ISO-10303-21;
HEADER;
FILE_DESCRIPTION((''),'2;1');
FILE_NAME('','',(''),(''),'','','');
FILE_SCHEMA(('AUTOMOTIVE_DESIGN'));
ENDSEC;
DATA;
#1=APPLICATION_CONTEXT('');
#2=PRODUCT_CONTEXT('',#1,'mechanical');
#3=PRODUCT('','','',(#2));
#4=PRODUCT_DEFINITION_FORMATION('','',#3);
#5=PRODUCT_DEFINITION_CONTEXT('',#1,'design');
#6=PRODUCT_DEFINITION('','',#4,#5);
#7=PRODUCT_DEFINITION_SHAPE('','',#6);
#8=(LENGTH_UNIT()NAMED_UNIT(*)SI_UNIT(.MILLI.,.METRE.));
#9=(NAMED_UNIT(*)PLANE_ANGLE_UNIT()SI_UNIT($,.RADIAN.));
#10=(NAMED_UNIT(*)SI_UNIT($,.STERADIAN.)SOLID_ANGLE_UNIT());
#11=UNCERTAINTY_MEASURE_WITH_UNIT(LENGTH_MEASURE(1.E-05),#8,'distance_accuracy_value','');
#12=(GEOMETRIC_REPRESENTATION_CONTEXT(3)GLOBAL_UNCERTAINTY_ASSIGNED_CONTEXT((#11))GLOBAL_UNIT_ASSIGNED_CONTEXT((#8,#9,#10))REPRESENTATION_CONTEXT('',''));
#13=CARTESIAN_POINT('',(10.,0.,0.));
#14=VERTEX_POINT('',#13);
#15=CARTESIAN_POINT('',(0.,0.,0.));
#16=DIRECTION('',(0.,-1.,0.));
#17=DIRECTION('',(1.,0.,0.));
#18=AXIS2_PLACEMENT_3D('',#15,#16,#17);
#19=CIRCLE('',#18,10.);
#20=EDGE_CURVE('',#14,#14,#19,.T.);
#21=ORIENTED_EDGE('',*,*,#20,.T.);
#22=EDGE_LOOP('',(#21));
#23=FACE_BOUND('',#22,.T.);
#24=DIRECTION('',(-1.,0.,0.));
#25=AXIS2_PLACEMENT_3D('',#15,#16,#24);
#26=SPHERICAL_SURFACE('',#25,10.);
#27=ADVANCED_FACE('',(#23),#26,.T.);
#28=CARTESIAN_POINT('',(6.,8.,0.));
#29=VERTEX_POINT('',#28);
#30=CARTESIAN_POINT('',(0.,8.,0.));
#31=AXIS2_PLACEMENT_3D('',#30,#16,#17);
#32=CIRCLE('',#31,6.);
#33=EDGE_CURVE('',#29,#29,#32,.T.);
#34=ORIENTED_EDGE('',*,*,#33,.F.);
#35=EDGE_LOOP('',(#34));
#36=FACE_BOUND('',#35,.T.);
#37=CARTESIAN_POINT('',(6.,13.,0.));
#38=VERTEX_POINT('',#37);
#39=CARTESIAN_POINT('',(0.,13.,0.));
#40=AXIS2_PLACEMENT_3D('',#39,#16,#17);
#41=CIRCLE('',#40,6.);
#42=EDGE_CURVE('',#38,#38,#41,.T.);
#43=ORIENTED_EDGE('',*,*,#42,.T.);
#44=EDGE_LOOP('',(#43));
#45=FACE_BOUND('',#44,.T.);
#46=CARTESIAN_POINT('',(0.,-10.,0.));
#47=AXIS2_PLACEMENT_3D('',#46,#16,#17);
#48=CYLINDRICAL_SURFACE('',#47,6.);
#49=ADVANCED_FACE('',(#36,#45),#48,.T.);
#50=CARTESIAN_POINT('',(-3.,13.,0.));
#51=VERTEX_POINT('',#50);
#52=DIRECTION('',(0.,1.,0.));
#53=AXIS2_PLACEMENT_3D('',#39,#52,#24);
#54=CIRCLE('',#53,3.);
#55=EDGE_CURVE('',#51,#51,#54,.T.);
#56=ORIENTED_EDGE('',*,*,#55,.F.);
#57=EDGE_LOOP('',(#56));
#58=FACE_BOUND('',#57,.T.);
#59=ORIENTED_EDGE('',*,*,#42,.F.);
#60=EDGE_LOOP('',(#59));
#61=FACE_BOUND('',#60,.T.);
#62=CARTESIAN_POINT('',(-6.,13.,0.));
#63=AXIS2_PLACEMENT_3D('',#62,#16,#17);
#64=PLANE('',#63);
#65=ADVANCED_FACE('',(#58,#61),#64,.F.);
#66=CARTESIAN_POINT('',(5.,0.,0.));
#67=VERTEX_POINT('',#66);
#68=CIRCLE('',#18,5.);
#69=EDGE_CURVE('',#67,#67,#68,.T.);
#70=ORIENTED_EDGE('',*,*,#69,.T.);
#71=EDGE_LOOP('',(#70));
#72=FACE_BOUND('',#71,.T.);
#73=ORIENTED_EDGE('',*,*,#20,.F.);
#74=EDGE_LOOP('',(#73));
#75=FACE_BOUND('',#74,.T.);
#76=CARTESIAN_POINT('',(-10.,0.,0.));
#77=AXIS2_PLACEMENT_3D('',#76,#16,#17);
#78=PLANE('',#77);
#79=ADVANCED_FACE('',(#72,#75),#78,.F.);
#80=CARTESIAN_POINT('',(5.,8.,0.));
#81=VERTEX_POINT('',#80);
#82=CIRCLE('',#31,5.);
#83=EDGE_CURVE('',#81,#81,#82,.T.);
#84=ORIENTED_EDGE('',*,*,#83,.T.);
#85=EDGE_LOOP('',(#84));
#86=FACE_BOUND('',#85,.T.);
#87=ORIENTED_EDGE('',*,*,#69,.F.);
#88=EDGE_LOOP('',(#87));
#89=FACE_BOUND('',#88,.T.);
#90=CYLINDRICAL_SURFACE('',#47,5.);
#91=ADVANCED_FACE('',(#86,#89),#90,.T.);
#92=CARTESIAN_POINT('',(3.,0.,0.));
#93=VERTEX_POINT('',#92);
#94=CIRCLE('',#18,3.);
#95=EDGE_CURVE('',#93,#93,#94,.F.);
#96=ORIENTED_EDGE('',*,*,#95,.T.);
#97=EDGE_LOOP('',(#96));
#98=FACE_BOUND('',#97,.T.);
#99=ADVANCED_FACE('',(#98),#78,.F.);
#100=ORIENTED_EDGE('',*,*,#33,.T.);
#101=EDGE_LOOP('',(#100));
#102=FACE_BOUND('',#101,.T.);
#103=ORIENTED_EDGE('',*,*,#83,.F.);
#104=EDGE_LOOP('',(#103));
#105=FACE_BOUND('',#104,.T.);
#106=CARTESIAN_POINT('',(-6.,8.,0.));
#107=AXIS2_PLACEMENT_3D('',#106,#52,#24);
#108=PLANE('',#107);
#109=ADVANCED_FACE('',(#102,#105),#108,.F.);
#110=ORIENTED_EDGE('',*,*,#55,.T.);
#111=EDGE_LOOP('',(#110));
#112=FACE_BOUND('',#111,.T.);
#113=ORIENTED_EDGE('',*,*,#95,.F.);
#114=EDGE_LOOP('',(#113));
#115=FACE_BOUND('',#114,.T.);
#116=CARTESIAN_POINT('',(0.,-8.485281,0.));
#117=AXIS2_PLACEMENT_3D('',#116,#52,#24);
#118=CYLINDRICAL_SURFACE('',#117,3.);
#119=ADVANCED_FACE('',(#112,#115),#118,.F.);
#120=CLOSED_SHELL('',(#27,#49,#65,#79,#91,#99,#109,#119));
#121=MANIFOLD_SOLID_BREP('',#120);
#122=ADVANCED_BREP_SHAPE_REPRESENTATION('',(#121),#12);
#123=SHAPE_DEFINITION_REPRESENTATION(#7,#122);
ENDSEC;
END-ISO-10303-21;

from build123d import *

# Parameters (mm, degrees)
SZKIC2_R                   = 3
WYTNIJ_WYCI_GNI_CIE1_DEPTH = 13


with BuildPart() as part:
    # Szkic1 → Obrót5 (revolve)
    with BuildSketch(Plane.XY, mode=Mode.PRIVATE) as obr_t5_sk:
        with BuildLine():
            Line((-10, 0), (-5, 0))
            Line((-5, 0), (-5, 8))
            Line((-5, 8), (-6, 8))
            Line((-6, 8), (-6, 13))
            Line((-6, 13), (0, 13))
            Line((0, 13), (0, 0))
            Line((0, 0), (0, -10))
            ThreePointArc((0, -10), (-7.071067812, -7.071067812), (-10, 0))
        make_face()
    revolve(obr_t5_sk.sketch.rotate(Axis((0, -10, 0), (0, 1, 0)), 180), axis=Axis((0, -10, 0), (0, 1, 0)))

    # Szkic2 → Wytnij-wyciągnięcie1 (cut)
    with BuildSketch(Plane(origin=(0, 13, 0), x_dir=(1, 0, 0), z_dir=(0, 1, 0))):
        with Locations(Location((0, 0, 0), (0, 0, 180))):
            Circle(SZKIC2_R)
    extrude(amount=-WYTNIJ_WYCI_GNI_CIE1_DEPTH, mode=Mode.SUBTRACT)


solid = part.part
